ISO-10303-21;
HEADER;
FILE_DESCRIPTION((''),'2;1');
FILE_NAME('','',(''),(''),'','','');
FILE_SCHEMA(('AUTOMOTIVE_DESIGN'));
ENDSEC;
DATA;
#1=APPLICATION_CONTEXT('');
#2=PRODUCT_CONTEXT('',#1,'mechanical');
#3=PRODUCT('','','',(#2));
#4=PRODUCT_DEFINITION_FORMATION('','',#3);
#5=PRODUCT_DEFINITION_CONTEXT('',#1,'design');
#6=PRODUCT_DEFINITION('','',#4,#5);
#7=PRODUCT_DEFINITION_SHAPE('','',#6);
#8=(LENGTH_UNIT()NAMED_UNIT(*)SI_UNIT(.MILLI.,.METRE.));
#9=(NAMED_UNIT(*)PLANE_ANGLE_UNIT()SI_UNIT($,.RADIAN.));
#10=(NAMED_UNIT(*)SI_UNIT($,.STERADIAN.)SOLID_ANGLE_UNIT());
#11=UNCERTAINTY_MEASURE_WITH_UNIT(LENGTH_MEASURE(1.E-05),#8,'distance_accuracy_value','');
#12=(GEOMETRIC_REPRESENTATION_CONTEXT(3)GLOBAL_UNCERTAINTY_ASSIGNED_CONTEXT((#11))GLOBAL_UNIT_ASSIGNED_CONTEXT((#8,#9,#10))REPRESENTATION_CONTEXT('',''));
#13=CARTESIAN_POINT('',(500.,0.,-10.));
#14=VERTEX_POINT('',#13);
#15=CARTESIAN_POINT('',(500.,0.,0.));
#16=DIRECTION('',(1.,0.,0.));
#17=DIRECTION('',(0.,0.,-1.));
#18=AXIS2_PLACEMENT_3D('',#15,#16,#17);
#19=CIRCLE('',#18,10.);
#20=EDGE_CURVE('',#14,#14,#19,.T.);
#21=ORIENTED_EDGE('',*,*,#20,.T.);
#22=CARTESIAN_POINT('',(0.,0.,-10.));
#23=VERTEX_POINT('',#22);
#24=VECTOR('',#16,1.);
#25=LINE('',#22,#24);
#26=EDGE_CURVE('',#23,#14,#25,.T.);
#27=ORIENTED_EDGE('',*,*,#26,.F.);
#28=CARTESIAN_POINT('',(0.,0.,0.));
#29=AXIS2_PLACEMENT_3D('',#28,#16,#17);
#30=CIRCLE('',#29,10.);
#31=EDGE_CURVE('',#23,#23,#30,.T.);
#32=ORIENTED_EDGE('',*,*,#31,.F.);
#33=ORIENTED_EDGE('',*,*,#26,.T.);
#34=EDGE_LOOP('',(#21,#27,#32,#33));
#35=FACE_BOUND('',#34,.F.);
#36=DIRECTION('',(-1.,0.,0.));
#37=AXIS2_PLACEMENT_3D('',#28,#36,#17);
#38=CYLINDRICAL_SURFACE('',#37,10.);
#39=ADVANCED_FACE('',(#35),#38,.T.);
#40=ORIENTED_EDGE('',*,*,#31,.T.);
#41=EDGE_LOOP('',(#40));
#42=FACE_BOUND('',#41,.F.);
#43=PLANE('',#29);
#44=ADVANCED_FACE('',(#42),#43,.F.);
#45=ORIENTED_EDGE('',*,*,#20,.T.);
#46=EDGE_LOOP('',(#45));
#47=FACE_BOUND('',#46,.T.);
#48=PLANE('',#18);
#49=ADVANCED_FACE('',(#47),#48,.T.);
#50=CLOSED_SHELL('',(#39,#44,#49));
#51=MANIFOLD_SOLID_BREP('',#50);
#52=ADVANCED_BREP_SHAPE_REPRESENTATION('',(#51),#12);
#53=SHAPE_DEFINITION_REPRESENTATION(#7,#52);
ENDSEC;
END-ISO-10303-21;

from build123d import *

# Parameters (mm, degrees)
SKETCH2_R           = 10
BOSS_EXTRUDE1_DEPTH = 500


with BuildPart() as part:
    # Sketch2 → Boss-Extrude1 (new body)
    with BuildSketch(Plane(origin=(0, 0, 0), x_dir=(0, 0, -1), z_dir=(1, 0, 0))):
        Circle(SKETCH2_R)
    extrude(amount=BOSS_EXTRUDE1_DEPTH)


solid = part.part
